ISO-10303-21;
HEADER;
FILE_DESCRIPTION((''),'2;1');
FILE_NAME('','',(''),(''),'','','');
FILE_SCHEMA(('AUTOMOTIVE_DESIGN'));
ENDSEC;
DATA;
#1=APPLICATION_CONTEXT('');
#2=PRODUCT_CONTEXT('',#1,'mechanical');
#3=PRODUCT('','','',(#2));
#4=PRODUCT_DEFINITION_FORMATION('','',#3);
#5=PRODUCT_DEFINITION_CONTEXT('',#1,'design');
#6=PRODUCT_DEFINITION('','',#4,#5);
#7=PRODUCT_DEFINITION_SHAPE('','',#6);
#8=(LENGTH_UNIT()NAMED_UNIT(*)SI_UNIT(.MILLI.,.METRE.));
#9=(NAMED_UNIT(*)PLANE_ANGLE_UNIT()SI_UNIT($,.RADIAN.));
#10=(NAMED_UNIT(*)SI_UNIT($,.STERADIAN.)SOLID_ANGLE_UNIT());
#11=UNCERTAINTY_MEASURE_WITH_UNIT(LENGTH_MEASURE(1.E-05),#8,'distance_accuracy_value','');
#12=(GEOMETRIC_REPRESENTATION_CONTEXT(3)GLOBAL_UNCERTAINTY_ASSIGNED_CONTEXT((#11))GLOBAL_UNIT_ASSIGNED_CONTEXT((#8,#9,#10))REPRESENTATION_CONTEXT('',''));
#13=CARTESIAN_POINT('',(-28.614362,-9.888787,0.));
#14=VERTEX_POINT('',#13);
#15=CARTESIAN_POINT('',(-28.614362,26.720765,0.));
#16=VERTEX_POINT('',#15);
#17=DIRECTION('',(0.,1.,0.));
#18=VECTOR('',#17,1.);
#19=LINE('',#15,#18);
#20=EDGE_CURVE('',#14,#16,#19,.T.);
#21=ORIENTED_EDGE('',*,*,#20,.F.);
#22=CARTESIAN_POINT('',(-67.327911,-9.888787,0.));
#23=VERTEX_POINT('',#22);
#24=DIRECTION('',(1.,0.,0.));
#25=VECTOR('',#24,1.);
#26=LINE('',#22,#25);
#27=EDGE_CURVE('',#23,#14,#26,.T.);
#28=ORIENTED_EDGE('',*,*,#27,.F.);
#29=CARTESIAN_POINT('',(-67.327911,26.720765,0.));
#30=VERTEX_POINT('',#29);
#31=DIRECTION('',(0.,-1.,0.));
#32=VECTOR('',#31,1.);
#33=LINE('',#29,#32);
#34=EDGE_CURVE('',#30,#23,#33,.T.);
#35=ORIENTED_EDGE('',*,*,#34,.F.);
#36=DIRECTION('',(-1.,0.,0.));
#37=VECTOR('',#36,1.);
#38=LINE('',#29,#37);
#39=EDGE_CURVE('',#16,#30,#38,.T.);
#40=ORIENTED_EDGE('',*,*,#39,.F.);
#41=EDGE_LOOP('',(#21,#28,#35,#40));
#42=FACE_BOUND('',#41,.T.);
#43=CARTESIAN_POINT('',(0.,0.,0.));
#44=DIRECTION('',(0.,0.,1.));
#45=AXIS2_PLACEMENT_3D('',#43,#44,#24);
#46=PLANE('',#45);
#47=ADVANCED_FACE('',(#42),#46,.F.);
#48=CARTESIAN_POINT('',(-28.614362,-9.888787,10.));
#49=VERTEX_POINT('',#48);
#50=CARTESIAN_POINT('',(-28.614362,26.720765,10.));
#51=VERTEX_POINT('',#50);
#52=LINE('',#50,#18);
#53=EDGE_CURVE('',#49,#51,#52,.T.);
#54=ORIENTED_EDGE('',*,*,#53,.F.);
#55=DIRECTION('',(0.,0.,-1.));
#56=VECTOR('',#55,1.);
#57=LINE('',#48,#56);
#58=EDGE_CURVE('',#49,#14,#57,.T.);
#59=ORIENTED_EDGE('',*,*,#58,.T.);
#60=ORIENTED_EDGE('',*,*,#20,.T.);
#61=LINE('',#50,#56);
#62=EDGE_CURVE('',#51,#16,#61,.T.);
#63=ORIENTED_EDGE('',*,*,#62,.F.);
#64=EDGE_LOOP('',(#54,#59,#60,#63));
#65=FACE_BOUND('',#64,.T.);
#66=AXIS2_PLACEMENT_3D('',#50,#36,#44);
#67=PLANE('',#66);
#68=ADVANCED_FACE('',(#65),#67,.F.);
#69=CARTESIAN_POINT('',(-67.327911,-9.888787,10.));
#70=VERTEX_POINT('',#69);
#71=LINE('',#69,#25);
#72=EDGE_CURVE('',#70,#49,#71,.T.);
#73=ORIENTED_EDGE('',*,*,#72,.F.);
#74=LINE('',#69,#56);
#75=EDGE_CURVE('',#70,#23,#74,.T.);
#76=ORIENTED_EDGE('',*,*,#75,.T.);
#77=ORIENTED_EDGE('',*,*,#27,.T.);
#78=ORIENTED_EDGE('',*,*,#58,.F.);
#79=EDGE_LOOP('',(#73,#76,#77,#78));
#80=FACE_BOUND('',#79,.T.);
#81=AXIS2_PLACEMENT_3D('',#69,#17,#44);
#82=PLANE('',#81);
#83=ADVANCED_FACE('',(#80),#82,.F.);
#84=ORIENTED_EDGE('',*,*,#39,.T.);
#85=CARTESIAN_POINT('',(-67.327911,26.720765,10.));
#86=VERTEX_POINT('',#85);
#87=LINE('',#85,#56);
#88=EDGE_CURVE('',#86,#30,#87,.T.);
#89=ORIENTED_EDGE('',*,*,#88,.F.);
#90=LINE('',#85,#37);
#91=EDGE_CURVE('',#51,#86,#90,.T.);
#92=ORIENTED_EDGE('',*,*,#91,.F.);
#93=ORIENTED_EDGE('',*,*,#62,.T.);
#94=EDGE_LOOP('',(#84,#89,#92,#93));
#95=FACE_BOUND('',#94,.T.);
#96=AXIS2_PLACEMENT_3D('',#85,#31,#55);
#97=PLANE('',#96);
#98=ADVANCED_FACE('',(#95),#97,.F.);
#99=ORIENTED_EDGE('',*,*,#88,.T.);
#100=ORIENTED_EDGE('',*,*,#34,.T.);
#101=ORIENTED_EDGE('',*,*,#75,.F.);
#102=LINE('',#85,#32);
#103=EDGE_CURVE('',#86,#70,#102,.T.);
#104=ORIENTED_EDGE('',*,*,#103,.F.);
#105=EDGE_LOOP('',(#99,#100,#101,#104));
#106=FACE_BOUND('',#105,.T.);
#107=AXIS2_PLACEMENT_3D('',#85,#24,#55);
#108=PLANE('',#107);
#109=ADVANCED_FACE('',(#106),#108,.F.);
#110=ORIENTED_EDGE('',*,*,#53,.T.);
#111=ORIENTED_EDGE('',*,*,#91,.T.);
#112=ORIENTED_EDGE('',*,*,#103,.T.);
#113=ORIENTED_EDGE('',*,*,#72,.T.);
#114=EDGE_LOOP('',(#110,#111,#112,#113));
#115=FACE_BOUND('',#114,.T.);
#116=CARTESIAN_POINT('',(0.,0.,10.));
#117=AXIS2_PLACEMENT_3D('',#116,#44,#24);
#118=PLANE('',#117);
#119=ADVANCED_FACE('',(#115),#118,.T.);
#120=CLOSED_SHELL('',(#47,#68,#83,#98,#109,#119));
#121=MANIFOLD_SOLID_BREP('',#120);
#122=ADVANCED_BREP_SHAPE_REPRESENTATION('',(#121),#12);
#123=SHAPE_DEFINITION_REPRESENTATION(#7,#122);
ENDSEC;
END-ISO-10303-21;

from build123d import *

# Parameters (mm, degrees)
SKICA1_W                = 38.713548651
SKICA1_H                = 36.609551442
P_IDAT_VYSUNUT_M1_DEPTH = 10


with BuildPart() as part:
    # Skica1 → Přidat vysunutím1 (new body)
    with BuildSketch(Plane.XY):
        with Locations((-47.971136373, 8.415988837)):
            Rectangle(SKICA1_W, SKICA1_H)
    extrude(amount=P_IDAT_VYSUNUT_M1_DEPTH)


solid = part.part
